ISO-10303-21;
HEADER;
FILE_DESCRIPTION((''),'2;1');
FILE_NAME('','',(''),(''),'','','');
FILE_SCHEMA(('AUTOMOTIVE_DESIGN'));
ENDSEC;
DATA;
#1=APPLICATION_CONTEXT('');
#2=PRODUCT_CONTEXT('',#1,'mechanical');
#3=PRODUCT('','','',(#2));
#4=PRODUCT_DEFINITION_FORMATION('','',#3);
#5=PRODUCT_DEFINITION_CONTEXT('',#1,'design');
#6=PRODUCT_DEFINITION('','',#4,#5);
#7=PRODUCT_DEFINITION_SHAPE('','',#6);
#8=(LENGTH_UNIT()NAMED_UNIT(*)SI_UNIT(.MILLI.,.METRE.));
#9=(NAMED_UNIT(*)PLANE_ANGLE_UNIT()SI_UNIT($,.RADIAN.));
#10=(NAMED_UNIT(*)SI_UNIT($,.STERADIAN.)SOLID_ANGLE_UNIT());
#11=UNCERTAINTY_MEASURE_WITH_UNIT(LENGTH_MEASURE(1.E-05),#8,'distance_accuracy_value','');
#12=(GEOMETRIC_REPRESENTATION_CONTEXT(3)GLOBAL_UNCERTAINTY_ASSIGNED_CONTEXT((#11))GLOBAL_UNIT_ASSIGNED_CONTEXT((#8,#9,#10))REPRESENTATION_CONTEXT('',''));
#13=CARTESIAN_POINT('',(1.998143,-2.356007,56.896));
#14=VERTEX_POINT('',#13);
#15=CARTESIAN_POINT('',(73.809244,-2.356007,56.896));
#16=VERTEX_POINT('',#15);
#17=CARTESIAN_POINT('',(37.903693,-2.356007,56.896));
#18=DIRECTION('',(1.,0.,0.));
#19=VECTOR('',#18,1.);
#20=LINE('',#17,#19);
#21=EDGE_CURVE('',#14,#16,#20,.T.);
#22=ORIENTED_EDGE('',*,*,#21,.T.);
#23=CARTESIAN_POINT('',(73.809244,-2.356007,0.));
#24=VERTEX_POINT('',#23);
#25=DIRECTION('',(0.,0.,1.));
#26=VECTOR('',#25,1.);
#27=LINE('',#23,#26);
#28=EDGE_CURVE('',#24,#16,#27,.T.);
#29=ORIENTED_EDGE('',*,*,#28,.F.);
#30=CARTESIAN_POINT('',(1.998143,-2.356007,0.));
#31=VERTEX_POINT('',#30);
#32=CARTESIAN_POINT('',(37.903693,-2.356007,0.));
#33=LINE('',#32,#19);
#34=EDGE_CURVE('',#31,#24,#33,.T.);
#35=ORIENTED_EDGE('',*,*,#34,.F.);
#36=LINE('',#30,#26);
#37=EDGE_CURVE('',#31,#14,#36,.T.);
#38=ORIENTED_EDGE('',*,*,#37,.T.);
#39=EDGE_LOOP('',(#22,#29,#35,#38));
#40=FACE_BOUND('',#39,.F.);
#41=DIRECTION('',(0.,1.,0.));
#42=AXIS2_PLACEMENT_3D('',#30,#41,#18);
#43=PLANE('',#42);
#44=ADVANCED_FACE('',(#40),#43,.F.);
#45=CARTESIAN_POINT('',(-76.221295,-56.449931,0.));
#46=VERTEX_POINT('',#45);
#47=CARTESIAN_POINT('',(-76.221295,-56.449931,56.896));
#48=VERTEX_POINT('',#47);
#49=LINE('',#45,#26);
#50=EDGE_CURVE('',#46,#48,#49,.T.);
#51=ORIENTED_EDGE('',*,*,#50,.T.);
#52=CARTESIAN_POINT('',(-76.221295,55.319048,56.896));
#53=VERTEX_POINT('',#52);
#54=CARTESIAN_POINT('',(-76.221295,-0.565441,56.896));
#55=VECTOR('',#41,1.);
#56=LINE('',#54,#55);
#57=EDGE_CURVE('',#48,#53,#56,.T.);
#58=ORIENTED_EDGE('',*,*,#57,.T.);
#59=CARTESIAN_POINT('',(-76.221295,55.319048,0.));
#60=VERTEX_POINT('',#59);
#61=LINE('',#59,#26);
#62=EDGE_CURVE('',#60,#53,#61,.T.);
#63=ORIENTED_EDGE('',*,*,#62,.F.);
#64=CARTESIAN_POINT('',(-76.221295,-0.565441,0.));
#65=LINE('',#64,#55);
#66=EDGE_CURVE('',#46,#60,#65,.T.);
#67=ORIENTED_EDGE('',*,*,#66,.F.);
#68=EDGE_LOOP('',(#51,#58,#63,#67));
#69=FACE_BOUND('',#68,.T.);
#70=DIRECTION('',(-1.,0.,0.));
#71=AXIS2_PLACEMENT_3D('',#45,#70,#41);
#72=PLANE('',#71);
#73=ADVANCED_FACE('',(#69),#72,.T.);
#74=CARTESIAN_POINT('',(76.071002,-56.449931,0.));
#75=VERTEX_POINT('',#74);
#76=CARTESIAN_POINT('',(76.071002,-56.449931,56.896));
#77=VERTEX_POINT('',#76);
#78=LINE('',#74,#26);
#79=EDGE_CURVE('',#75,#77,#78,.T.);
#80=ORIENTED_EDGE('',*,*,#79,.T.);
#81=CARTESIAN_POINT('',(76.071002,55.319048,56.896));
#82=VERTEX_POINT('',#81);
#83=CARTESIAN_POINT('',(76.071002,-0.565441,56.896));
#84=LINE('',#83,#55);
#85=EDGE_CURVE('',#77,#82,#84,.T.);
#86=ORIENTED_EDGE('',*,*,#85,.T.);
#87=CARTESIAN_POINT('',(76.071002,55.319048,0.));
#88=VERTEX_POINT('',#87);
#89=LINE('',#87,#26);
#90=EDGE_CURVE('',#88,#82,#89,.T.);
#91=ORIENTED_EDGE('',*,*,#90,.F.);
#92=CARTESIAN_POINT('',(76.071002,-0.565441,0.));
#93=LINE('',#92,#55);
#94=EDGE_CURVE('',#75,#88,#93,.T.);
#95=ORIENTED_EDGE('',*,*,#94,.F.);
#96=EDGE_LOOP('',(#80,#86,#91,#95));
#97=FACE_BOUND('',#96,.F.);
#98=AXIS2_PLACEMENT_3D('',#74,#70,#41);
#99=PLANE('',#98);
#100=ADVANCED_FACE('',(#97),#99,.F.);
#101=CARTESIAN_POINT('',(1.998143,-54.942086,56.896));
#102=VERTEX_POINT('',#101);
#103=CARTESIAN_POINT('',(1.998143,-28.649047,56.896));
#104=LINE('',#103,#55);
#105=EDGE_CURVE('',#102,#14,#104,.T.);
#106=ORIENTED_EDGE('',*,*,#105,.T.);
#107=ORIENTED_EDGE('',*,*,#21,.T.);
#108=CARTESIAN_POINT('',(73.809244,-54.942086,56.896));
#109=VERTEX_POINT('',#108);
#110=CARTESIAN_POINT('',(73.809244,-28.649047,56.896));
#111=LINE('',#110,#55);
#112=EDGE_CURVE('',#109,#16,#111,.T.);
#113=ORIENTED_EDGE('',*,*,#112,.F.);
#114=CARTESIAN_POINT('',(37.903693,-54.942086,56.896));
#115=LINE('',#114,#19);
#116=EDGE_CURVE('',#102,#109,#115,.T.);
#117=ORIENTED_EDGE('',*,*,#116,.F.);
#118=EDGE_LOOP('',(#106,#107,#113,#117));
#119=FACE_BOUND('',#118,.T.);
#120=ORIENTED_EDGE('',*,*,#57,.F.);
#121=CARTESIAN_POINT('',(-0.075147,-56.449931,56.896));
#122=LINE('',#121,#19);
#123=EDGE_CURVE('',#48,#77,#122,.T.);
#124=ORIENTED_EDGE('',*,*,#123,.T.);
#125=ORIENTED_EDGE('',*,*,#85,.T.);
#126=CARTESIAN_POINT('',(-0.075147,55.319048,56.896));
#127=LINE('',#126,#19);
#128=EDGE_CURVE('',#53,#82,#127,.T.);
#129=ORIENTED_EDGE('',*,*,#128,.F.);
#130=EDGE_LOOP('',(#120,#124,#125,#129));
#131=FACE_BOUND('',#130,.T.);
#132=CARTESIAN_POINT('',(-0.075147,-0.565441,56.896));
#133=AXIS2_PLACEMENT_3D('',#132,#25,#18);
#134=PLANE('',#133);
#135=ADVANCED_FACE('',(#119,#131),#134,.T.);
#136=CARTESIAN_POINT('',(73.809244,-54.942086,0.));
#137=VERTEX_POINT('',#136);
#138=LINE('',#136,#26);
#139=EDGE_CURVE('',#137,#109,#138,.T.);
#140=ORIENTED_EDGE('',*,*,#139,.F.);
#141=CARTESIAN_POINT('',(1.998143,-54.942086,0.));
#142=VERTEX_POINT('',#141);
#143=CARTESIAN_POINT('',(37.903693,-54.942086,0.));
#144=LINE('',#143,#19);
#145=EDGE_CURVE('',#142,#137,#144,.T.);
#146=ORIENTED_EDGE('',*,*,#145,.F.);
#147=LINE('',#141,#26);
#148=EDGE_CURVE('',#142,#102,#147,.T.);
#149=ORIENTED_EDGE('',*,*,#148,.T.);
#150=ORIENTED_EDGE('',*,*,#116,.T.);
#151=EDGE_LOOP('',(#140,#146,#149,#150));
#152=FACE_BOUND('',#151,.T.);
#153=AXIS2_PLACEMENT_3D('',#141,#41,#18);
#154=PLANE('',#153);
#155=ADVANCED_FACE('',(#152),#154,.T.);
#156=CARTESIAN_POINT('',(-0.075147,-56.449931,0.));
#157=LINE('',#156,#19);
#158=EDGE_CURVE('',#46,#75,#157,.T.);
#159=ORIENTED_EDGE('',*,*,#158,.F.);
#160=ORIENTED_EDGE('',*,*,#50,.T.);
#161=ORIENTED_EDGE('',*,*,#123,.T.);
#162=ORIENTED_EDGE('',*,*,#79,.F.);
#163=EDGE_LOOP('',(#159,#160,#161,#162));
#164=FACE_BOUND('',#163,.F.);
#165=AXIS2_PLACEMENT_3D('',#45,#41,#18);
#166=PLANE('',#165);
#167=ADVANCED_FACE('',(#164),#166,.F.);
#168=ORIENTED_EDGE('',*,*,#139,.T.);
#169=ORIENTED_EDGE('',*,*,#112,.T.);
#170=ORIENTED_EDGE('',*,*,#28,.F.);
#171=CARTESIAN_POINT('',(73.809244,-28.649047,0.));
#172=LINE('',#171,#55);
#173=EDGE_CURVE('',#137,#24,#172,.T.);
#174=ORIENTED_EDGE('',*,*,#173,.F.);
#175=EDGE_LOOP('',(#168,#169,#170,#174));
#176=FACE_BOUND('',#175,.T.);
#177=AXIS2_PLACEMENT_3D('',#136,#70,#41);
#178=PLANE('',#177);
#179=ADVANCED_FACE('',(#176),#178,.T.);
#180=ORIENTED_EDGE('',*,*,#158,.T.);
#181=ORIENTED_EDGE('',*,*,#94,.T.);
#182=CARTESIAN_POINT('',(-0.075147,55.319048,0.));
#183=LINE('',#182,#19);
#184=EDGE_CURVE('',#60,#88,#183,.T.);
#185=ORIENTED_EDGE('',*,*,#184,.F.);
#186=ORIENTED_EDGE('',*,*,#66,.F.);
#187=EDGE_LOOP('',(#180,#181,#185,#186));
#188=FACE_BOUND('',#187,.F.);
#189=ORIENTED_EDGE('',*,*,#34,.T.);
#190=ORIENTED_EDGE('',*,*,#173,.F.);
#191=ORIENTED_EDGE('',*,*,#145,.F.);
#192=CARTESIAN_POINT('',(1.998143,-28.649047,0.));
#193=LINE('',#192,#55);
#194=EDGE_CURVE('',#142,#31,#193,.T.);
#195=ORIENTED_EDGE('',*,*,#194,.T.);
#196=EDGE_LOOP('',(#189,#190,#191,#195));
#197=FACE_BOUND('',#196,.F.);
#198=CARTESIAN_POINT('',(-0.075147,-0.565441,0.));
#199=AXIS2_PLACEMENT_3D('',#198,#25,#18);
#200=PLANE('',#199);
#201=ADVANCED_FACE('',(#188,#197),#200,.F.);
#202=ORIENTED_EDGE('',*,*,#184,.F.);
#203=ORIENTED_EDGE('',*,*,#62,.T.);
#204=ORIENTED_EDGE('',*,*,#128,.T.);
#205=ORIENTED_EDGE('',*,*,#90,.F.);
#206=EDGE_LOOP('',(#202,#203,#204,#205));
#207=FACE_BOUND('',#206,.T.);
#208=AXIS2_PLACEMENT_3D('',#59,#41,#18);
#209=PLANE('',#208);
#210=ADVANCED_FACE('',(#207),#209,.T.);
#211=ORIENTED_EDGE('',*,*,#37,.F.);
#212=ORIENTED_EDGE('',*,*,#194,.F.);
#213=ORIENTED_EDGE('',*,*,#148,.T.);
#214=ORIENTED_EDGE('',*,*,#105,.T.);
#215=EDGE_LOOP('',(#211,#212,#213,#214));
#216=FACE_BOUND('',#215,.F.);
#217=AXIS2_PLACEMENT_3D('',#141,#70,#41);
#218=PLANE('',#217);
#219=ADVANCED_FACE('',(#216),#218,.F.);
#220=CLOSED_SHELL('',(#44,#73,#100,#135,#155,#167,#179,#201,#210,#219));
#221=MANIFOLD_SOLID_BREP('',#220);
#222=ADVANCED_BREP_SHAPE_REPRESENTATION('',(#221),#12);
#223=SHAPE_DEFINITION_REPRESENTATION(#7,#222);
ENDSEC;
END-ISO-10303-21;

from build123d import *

# Parameters (mm, degrees)
F0_W     = 75.1286000013
F0_H     = 75.6749510765
F1_DEPTH = 25.4
F3_W     = 152.2922962904
F3_H     = 111.7689795792
F3_W_2   = 71.8111011665
F3_H_2   = 52.5860791095
F4_DEPTH = 56.896


with BuildPart() as f1:
    # F0 (on Top) → F1 (new body)
    with BuildSketch(Plane.XY):
        with Locations((37.5643000007, -37.8374755383)):
            Rectangle(F0_W, F0_H)
    extrude(amount=F1_DEPTH)


with BuildPart() as f4:
    # F3 (on Top) → F4 (new body)
    with BuildSketch(Plane.XY):
        with Locations((-0.0751465559, -0.5654413253)):
            Rectangle(F3_W, F3_H)
        with Locations((37.9036931554, -28.6490467843)):
            Rectangle(F3_W_2, F3_H_2, mode=Mode.SUBTRACT)
    extrude(amount=F4_DEPTH)


solid = f4.part
